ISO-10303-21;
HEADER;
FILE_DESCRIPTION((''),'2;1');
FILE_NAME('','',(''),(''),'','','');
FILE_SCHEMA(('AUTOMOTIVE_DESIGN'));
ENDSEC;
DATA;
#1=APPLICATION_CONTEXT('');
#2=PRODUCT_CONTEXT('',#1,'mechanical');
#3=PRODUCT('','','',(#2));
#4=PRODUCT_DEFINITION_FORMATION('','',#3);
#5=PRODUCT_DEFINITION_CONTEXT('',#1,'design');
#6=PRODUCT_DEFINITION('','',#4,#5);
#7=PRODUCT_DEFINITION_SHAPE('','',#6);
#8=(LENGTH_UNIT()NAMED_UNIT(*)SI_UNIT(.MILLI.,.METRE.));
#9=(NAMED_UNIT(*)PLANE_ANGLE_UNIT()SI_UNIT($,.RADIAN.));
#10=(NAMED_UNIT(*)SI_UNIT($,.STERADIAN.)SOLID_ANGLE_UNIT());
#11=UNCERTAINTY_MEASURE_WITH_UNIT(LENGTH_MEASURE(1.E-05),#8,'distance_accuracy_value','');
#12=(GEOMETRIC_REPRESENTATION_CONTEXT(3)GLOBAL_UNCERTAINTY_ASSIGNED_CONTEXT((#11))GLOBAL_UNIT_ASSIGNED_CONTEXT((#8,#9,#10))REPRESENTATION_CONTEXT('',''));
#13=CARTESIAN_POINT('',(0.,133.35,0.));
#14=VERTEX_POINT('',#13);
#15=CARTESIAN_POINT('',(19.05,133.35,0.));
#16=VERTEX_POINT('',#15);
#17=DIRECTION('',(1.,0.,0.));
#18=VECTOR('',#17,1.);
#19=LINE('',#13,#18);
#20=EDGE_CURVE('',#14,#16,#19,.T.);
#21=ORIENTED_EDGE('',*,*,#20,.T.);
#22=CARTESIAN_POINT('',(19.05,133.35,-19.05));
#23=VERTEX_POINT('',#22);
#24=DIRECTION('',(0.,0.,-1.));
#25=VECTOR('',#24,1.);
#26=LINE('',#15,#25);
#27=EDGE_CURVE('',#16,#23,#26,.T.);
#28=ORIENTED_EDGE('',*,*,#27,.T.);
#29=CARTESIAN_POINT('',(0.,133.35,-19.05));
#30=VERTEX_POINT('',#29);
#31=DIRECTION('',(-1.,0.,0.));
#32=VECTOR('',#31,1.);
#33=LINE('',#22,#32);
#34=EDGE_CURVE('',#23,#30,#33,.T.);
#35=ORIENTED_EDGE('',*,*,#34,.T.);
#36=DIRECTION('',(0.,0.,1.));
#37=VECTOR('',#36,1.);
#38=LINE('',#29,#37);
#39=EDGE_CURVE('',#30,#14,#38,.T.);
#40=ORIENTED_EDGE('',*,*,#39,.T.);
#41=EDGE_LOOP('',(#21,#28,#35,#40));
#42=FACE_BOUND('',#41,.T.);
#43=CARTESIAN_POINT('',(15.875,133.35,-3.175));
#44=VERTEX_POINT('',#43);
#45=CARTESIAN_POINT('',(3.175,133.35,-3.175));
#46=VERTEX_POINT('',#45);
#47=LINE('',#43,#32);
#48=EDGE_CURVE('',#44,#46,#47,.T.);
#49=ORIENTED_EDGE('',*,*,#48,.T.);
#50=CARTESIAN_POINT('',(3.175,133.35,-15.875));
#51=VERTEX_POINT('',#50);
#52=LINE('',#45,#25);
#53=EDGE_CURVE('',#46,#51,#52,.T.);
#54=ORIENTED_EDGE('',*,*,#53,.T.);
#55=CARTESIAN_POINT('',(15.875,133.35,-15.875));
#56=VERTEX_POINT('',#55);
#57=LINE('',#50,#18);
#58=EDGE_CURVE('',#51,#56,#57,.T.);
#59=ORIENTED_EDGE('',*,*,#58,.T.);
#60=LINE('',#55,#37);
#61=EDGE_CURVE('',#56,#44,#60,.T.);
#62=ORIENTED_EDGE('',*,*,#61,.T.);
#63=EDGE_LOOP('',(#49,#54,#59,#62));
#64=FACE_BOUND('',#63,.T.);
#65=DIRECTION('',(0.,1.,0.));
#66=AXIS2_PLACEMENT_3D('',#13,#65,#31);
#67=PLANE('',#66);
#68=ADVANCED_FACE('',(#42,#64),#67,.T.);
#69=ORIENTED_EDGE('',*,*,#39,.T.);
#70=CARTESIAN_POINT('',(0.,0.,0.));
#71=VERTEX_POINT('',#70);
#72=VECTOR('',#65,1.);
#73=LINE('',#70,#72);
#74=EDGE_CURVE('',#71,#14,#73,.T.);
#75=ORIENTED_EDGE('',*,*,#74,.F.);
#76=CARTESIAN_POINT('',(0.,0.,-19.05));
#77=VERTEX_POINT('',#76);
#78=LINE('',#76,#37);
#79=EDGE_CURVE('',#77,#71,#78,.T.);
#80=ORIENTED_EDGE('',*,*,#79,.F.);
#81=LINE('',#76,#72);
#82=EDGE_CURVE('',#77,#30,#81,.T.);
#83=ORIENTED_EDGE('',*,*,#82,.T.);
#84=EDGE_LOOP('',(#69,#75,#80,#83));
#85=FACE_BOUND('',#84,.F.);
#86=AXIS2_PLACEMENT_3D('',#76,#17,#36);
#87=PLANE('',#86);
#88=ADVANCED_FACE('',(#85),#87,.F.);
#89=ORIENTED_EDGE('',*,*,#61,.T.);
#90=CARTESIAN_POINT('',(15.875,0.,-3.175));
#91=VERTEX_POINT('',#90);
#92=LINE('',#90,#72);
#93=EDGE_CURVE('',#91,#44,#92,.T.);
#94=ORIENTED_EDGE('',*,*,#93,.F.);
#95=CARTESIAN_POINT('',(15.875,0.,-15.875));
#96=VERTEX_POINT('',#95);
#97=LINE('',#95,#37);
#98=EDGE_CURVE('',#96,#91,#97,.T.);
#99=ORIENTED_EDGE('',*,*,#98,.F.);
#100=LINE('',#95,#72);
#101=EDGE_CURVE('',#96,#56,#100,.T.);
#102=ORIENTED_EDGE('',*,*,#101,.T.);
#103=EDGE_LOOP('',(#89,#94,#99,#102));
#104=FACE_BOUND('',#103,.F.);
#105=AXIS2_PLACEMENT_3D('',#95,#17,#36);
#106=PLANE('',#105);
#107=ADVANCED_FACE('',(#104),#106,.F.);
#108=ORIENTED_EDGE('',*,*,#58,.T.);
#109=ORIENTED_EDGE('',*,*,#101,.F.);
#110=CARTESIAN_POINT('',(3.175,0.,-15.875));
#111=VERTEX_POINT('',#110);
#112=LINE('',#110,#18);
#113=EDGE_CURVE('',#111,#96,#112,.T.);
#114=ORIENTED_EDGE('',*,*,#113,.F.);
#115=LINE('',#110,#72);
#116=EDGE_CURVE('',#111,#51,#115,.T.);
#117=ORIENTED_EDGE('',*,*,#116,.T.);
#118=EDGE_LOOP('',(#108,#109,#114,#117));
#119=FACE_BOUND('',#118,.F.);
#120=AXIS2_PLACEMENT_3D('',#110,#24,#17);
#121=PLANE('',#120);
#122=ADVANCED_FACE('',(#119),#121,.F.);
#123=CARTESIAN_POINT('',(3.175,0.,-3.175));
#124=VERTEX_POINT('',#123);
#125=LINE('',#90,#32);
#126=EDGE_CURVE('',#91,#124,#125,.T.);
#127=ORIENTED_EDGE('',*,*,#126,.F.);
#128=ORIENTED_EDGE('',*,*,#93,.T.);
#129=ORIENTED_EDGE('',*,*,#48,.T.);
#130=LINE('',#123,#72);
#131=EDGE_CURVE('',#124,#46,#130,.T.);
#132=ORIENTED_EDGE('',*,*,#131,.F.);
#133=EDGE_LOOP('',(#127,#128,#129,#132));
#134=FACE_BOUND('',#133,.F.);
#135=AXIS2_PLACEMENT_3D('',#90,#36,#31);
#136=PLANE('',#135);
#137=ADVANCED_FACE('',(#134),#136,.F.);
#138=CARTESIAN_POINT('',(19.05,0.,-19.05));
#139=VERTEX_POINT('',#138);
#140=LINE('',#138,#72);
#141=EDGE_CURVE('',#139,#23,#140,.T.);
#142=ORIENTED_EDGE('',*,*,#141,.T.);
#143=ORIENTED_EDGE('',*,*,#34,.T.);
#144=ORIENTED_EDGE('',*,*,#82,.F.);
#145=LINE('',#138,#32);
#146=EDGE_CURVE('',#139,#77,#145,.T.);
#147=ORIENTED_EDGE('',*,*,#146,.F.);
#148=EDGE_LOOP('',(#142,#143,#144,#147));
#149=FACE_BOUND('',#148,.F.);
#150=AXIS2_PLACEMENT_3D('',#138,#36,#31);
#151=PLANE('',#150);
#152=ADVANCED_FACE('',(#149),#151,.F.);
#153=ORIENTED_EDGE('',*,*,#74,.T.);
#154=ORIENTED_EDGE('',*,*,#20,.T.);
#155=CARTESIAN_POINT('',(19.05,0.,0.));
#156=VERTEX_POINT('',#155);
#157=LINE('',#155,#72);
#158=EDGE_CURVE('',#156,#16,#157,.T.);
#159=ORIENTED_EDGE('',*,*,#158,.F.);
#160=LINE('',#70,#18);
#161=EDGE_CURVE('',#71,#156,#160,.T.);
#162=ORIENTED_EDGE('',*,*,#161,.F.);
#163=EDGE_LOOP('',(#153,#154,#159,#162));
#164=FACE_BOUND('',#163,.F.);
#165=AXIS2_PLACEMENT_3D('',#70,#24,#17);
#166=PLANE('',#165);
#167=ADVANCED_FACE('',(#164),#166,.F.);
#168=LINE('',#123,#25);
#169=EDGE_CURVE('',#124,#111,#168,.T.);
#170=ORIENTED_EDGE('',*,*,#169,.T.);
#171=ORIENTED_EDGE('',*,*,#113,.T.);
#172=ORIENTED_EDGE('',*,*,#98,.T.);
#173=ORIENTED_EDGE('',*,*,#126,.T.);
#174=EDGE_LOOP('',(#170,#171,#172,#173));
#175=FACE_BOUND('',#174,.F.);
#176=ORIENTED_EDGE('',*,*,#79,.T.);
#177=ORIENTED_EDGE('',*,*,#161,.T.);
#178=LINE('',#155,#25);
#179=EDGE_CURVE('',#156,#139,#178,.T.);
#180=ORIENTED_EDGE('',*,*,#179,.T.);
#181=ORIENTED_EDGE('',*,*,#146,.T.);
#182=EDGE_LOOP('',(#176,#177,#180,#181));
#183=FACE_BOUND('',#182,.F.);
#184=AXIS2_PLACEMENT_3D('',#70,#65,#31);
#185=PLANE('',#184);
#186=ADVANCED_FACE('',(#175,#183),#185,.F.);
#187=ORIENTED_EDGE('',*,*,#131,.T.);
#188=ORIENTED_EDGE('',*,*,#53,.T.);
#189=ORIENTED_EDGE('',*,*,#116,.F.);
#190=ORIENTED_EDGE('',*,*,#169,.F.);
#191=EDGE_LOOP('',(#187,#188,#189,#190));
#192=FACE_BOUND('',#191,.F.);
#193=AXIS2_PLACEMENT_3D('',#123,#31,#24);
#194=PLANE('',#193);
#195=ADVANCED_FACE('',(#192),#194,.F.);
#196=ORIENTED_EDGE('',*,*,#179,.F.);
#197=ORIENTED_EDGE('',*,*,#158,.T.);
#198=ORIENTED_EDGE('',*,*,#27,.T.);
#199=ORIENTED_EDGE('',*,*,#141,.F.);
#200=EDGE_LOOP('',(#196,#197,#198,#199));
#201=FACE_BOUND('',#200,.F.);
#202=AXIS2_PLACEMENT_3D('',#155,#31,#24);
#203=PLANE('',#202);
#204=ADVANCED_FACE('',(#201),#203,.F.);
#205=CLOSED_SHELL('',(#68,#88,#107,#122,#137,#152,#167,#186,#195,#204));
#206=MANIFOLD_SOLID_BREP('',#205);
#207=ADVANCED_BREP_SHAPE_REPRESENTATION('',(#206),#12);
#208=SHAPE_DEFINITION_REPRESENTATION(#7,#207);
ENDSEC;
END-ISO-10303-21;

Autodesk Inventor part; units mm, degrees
ref_plane "YZ Plane" through (0, 0, 0) normal (1, 0, 0) x (0, 1, 0)
ref_plane "XZ Plane" through (0, 0, 0) normal (0, 1, 0) x (-1, 0, 0)
ref_plane "XY Plane" through (0, 0, 0) normal (0, 0, 1) x (1, 0, 0)
sketch "Sketch1" plane through (0, 0, 0) normal (0, 1, 0) x (-1, 0, 0)
  line L0 (0, 0) -> (-19.05, 0)
  line L1 (-19.05, 0) -> (-19.05, -19.05)
  line L2 (-19.05, -19.05) -> (0, -19.05)
  line L3 (0, -19.05) -> (0, 0)
  line L4 (-3.175, -15.875) -> (-15.875, -15.875)
  line L5 (-15.875, -15.875) -> (-15.875, -3.175)
  line L6 (-15.875, -3.175) -> (-3.175, -3.175)
  line L7 (-3.175, -3.175) -> (-3.175, -15.875)
  dimension "d0" = 19.05
  dimension "d1" = 19.05
  dimension "d2" = 3.175
extrude "Extrusion1" add sketch "Sketch1" along normal blind 133.35
properties part number "Chasis Hieght 4" material "Aluminum 6061"
